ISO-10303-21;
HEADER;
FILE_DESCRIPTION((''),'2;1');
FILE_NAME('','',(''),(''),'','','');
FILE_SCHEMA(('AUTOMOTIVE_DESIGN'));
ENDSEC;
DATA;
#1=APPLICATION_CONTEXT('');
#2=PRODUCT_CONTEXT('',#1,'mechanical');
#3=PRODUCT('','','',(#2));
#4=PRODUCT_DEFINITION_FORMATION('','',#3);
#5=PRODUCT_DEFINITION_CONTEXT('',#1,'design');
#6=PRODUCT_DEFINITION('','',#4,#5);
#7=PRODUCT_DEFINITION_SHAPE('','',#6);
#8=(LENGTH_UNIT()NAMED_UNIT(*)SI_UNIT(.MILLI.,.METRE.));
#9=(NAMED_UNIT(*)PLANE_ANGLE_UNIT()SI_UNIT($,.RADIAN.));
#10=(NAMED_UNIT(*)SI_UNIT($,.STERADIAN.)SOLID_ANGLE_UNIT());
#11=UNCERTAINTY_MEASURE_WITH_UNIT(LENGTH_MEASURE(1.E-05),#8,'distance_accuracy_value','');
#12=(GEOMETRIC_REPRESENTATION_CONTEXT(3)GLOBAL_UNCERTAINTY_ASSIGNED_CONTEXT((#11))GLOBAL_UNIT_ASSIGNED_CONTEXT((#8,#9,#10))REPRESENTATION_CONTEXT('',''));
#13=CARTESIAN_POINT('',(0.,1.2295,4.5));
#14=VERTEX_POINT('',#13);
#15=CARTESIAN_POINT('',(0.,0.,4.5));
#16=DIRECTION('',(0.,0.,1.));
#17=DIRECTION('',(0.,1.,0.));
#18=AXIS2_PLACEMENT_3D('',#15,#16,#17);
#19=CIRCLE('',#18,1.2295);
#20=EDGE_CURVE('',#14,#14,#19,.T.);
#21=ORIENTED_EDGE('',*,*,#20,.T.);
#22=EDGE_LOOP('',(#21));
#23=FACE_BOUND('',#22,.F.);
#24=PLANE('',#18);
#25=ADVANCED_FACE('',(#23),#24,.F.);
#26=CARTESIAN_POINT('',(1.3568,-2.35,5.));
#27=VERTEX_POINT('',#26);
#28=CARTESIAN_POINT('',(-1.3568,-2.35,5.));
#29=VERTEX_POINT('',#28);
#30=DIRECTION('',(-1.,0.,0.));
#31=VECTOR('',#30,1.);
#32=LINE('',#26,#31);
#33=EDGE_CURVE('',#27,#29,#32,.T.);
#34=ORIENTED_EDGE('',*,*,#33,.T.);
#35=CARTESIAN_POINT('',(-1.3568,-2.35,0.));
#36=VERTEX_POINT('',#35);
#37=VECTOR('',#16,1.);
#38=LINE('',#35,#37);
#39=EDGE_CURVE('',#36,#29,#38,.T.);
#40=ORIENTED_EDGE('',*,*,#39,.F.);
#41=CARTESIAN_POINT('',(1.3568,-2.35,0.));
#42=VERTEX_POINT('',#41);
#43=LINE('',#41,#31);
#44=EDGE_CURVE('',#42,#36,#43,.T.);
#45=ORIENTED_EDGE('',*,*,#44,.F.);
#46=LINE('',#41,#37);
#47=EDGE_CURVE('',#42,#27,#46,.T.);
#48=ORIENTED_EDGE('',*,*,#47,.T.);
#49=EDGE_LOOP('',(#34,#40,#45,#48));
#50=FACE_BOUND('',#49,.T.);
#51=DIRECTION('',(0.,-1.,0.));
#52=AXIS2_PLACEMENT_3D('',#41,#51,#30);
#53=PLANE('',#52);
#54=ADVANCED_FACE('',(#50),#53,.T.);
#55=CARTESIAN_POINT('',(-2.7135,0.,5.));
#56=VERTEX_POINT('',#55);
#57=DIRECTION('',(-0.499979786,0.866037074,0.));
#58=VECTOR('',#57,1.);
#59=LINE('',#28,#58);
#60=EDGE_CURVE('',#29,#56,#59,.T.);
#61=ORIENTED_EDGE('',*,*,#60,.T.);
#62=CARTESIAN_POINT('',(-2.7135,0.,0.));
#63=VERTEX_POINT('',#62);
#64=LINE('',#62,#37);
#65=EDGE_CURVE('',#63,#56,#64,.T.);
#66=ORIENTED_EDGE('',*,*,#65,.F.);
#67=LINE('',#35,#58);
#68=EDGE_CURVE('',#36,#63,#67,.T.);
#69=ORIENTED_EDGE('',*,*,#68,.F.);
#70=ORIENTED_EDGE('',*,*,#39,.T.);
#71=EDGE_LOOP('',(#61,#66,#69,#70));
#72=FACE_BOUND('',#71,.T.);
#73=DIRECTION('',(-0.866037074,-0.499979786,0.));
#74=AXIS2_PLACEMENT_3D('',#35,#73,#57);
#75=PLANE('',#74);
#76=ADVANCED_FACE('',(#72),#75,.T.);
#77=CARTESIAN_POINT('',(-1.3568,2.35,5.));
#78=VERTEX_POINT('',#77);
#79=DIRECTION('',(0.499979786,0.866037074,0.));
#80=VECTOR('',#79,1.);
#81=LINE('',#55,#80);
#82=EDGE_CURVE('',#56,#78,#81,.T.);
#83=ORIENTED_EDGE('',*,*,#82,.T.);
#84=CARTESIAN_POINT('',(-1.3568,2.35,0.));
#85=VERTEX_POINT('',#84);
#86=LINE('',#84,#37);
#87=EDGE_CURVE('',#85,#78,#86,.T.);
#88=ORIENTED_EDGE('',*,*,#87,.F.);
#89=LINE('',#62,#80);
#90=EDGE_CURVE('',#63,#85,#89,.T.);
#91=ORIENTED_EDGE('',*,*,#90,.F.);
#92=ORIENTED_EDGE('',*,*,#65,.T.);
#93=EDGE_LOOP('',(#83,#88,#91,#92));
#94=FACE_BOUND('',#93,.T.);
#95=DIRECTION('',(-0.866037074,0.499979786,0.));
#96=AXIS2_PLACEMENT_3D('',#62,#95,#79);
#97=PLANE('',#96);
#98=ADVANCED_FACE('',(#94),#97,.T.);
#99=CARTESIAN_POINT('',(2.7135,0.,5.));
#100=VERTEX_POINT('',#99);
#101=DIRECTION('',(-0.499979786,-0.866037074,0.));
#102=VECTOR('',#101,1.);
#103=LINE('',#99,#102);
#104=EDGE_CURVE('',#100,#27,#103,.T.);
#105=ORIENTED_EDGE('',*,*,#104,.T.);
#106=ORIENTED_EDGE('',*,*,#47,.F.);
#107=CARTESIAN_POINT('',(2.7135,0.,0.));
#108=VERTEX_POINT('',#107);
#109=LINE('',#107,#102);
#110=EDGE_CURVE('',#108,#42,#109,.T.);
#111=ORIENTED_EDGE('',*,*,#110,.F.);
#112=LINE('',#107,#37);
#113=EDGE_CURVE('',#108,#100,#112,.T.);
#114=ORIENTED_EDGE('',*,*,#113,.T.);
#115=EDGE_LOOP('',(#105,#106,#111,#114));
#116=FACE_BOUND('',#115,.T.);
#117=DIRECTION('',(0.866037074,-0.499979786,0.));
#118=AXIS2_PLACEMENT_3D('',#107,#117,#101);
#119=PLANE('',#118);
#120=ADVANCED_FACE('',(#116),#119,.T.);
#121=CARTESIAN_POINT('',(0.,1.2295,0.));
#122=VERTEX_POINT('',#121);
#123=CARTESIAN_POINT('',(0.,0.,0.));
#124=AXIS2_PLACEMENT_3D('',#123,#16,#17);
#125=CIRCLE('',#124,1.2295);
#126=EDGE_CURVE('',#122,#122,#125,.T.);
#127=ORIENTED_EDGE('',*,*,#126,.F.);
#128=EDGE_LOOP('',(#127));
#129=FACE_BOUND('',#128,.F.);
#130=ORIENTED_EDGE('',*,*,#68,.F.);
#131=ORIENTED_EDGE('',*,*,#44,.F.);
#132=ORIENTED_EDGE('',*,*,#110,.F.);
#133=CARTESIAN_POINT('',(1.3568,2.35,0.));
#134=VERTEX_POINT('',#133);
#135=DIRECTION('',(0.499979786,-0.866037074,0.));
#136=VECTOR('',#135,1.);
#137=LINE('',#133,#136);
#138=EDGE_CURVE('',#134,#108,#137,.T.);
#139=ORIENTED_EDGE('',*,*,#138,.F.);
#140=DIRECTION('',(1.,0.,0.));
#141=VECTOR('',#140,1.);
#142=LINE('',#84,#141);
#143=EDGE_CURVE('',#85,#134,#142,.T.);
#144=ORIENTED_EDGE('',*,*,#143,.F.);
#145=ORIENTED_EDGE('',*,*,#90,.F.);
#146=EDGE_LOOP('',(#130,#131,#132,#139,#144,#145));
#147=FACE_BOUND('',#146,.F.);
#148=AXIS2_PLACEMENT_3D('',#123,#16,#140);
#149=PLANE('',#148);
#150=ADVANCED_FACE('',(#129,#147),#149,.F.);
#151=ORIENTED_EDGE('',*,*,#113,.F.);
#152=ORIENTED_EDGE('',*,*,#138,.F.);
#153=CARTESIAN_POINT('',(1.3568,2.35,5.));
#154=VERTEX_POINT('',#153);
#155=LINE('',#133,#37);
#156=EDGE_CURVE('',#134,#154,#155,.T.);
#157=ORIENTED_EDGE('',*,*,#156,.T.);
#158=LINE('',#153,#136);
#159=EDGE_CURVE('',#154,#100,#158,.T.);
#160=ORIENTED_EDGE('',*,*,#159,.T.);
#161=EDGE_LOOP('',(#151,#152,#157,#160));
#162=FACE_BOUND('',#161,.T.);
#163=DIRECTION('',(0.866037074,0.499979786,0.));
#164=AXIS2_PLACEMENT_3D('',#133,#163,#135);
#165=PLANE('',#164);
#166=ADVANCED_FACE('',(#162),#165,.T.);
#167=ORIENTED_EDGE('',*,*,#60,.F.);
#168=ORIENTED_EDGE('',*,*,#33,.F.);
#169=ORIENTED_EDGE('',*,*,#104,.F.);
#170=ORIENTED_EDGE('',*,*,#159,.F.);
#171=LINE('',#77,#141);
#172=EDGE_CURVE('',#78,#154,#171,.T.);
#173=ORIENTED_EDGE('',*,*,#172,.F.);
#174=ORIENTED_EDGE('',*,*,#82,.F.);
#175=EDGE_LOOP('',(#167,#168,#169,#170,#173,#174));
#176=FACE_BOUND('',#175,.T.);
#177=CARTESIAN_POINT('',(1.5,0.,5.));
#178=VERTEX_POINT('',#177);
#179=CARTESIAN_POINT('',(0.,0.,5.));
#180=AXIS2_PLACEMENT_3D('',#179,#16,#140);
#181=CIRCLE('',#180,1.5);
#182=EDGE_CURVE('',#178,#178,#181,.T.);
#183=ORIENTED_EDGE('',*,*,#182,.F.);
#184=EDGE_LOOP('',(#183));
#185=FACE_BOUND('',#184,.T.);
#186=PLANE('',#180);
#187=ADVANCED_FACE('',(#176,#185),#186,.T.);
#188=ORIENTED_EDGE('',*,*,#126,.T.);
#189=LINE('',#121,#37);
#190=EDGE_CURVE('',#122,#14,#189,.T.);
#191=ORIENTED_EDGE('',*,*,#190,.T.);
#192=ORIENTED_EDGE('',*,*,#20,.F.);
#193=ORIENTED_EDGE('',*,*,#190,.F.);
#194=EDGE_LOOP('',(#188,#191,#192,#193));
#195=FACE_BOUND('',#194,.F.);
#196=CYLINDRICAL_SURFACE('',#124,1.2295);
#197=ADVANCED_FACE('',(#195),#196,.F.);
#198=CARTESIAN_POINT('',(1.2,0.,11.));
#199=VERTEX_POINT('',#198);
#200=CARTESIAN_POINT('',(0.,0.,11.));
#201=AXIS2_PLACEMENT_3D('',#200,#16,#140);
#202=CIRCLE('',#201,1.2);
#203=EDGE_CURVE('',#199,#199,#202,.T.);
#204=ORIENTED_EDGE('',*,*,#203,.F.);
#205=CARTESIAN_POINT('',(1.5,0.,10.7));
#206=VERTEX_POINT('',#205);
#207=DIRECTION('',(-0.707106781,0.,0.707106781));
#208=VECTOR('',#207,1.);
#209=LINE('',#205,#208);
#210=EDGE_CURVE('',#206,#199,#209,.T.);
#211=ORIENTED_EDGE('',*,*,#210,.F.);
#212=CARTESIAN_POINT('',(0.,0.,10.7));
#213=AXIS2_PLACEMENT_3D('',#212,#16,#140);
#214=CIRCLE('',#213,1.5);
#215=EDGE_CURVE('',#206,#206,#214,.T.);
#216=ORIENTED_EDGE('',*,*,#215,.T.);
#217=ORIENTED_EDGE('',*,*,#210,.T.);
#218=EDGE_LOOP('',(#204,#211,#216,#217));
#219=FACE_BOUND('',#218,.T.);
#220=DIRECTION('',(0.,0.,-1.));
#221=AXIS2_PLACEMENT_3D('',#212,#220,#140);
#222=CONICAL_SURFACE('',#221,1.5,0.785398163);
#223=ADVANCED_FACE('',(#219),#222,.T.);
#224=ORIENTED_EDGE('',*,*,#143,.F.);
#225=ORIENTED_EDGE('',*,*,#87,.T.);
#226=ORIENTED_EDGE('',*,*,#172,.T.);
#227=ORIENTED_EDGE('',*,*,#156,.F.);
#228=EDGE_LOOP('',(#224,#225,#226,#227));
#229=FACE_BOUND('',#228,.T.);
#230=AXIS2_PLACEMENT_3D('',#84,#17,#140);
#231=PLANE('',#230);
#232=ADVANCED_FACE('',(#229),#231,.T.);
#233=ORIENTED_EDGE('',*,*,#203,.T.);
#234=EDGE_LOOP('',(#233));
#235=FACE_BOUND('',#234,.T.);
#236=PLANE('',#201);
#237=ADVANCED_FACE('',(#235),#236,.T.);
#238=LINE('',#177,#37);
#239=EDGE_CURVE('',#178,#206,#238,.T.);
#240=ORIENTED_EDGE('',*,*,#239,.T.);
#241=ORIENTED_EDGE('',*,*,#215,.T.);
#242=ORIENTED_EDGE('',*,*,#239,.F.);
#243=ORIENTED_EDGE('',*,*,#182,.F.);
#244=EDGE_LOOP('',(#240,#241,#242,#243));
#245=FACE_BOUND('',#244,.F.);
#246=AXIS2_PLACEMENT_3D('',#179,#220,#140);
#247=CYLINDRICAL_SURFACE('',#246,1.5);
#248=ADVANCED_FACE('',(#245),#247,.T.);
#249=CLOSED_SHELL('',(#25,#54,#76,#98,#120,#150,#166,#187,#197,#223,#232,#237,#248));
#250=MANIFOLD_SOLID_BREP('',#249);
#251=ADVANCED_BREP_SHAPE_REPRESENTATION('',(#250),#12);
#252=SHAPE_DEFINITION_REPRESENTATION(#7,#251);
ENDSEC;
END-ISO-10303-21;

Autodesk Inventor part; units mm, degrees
ref_plane "YZ Plane" through (0, 0, 0) normal (1, 0, 0) x (0, 1, 0)
ref_plane "XZ Plane" through (0, 0, 0) normal (0, 1, 0) x (-1, 0, 0)
ref_plane "XY Plane" through (0, 0, 0) normal (0, 0, 1) x (1, 0, 0)
sketch "Sketch1" plane through (0, 0, 0) normal (0, 0, 1) x (1, 0, 0)
  line L0 (2.7135, 0) -> (1.3568, -2.35)
  line L1 (1.3568, -2.35) -> (-1.3568, -2.35)
  line L2 (-1.3568, -2.35) -> (-2.7135, 0)
  line L3 (-2.7135, 0) -> (-1.3568, 2.35)
  line L4 (-1.3568, 2.35) -> (1.3568, 2.35)
  line L5 (1.3568, 2.35) -> (2.7135, 0)
  point P0 (0, 0)
  point P1 (0, 0)
  dimension "d0" = 4.7
extrude "Extrusion1" add sketch "Sketch1" along normal blind 5
sketch "Sketch2" plane through (0, 0, 5) normal (0, 0, 1) x (1, 0, 0)
  circle A0 centre (0, 0) radius 1.5
  dimension "d3" = 3
extrude "Extrusion2" add sketch "Sketch2" along normal blind 6
thread "Thread1" size "M3x0.5" class "6g" standard "ANSI Metric M Profile" full length
chamfer "Chamfer1" distance 0.3 angle 45 1 edges at (-1.5, 0, 11)
sketch "Sketch3" plane through (0, 0, 0) normal (0, 0, -1) x (-1, 0, 0)
  point P0 (0, 0)
  point P1 (0, 0)
hole "Hole1" at (0, 0, 0) direction (0, 0, 1) diameter 2.459 depth 4.5 thread size "M3x0.5" class "6H" standard "ANSI Metric M Profile"
properties part number "5mm M3 Brass Standoff"
